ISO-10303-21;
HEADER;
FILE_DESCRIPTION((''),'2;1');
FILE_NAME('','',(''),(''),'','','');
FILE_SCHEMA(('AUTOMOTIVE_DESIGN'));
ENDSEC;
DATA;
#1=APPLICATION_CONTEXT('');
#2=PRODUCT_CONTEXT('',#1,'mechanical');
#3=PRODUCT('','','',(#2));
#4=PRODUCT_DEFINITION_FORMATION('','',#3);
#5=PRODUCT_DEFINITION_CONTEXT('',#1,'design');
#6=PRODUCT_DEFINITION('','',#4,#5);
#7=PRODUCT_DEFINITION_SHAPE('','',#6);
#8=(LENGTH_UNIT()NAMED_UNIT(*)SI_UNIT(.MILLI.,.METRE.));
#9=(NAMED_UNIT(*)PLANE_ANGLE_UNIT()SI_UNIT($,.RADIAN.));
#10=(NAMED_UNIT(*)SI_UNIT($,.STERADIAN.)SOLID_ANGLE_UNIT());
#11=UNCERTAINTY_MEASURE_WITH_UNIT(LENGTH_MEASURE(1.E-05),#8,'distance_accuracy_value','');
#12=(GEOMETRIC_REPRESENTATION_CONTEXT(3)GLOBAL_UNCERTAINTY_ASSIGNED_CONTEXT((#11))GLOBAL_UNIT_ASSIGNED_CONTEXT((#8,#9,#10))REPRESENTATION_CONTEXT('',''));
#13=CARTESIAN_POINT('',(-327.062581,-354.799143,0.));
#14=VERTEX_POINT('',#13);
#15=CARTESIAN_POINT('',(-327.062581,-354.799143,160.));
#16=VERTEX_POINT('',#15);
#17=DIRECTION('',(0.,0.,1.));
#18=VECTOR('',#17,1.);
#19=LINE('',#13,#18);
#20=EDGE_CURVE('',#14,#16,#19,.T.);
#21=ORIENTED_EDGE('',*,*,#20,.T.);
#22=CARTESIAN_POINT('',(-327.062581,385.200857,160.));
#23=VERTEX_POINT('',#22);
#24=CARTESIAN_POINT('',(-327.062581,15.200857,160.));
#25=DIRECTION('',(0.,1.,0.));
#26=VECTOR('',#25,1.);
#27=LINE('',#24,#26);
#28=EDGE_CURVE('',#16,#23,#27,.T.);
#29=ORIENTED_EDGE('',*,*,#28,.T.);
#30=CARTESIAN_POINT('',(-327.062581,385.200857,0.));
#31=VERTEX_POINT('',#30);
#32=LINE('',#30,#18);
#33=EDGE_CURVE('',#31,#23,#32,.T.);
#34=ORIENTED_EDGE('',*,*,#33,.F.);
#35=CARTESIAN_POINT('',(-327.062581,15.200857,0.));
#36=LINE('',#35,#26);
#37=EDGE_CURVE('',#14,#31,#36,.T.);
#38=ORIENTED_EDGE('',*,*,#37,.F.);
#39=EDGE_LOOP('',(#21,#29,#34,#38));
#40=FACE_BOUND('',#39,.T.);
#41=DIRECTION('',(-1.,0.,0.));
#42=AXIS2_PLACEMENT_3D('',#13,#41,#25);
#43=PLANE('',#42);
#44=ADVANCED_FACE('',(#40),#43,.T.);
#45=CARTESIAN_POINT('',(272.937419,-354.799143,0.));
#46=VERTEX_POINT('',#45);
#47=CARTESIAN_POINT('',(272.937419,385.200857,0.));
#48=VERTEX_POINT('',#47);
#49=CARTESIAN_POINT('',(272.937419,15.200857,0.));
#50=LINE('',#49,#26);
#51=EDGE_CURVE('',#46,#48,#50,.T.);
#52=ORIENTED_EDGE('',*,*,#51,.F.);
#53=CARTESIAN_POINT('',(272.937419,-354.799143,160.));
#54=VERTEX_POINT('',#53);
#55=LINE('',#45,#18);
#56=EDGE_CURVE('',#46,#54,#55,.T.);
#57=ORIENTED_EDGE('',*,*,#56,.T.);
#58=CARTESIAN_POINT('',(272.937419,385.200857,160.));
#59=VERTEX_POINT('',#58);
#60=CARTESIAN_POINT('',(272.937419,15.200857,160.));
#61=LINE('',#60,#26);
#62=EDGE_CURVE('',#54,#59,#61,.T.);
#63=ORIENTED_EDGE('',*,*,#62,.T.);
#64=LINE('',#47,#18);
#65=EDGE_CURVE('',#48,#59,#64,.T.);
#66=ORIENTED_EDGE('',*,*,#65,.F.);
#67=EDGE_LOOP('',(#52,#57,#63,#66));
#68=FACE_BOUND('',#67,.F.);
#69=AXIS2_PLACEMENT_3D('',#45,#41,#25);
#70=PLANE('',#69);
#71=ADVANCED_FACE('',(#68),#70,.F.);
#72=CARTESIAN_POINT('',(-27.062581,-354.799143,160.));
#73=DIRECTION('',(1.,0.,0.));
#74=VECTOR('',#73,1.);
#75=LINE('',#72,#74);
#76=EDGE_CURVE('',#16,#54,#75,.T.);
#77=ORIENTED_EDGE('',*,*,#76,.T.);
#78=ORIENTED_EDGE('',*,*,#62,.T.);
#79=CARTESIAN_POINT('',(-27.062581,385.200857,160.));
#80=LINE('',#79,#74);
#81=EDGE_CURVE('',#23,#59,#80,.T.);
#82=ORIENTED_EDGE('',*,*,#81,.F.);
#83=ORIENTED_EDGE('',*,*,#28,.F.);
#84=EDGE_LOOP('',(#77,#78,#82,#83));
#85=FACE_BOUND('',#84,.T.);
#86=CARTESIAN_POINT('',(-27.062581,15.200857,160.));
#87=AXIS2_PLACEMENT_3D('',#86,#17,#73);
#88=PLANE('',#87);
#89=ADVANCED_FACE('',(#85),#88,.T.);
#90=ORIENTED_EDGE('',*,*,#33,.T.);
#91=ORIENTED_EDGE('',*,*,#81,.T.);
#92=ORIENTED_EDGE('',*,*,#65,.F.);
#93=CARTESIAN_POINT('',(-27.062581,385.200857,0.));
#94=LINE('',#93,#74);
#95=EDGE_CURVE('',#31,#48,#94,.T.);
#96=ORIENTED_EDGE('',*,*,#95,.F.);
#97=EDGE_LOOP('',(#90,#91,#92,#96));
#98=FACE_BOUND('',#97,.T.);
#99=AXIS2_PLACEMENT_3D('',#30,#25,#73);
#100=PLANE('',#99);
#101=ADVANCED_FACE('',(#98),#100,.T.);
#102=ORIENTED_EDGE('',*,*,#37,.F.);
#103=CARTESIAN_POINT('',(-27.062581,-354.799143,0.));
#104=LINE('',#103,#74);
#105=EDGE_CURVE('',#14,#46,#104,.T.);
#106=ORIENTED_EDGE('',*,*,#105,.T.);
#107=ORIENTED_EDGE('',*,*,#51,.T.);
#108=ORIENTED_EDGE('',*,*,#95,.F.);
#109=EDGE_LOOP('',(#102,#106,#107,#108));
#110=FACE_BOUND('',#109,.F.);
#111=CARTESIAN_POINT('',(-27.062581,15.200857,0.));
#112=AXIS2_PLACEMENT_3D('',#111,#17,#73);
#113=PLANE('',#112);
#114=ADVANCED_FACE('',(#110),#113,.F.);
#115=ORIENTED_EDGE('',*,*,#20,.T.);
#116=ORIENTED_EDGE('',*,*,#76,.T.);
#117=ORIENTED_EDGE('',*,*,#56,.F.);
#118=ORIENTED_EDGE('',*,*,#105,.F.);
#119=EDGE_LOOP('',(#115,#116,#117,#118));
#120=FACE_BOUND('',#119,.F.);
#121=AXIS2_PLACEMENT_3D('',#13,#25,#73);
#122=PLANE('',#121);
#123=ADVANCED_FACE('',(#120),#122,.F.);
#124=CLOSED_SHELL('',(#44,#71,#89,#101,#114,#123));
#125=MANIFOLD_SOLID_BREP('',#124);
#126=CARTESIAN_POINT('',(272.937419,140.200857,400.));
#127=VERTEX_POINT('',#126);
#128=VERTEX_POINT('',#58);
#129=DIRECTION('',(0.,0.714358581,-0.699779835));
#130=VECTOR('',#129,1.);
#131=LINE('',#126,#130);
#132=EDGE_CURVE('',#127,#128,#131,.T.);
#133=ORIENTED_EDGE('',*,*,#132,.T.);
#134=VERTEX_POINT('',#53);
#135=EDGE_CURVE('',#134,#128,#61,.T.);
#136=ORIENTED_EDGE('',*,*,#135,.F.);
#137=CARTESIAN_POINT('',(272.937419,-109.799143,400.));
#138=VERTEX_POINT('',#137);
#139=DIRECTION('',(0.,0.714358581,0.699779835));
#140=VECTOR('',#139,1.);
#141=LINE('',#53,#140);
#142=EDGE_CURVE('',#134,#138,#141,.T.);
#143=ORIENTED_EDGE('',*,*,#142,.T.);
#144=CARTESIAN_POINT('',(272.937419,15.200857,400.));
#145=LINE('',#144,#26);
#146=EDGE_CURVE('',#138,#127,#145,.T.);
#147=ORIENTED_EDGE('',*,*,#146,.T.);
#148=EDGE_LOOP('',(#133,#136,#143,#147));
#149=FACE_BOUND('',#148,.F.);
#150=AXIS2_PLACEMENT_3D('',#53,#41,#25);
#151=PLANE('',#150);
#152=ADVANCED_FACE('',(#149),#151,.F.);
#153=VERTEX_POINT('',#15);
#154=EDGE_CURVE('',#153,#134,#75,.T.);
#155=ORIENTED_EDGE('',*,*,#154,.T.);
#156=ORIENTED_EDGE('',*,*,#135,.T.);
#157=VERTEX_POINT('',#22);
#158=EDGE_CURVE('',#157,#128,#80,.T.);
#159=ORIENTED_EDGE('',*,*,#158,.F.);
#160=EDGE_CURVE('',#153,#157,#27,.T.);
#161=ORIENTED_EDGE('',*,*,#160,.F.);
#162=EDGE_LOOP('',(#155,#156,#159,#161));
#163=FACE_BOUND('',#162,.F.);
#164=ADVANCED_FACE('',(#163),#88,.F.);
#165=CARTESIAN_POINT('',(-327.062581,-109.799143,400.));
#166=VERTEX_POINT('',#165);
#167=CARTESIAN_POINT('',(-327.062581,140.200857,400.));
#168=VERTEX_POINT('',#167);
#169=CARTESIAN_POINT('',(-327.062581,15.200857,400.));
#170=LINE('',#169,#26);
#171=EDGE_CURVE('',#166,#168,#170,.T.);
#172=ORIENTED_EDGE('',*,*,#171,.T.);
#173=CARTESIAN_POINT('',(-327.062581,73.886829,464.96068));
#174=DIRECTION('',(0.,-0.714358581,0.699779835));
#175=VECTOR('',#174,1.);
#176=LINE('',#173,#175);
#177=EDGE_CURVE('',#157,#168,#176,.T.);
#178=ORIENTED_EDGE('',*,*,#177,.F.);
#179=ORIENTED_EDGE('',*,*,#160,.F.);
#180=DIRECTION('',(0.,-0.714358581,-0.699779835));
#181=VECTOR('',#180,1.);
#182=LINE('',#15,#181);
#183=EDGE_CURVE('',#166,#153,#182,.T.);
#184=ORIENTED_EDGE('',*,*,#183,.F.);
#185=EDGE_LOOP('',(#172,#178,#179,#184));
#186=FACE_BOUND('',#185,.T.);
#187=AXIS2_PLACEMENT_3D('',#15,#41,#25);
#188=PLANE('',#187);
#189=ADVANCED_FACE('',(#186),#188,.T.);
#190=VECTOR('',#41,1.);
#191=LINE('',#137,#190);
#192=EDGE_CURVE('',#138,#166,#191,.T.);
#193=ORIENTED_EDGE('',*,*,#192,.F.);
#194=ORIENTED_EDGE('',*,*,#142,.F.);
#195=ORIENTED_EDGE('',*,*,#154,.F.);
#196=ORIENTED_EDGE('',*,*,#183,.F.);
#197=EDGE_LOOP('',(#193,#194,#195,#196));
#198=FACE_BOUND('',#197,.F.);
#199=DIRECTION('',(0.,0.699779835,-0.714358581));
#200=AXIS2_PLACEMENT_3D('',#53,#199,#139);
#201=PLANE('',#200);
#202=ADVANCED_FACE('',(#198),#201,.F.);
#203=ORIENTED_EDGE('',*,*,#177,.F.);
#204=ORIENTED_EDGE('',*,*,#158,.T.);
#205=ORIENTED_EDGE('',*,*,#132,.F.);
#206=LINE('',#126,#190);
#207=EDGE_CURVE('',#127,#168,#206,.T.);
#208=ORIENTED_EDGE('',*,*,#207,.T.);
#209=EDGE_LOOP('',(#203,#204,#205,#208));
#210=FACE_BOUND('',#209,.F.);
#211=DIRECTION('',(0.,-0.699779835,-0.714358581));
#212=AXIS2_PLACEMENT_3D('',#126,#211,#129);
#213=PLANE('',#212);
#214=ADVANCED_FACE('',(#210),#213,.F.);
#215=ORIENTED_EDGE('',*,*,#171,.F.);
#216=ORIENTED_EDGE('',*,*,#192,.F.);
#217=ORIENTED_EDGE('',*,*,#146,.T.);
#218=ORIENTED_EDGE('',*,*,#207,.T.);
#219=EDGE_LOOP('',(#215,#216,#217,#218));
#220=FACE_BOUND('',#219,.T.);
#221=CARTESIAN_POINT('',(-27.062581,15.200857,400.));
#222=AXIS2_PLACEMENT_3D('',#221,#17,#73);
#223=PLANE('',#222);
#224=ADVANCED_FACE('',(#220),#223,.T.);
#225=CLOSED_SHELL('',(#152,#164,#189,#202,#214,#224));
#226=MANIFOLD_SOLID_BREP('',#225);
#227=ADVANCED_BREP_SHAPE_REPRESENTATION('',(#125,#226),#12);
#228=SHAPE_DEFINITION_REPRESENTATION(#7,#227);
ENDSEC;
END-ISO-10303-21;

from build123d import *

# Parameters (mm, degrees)
F0_W     = 600
F0_H     = 740
F1_DEPTH = 160
F2_W     = 600
F2_H     = 740
F3_DEPTH = 240
F5_DEPTH = 600.001


with BuildPart() as f1:
    # F0 (on Top) → F1 (new body)
    with BuildSketch(Plane.XY):
        with Locations((-27.062581, 15.200857)):
            Rectangle(F0_W, F0_H)
    extrude(amount=F1_DEPTH)


with BuildPart() as f3:
    # F2 (on face) → F3 (new body)
    with BuildSketch(Plane.XY.offset(160)):
        with Locations((-27.062581, 15.200857)):
            Rectangle(F2_W, F2_H)
    extrude(amount=F3_DEPTH)

    # F4 (on face) → F5 (cut, through all)
    with BuildSketch(Plane.YZ.offset(272.937419)):
        Polygon((-354.799143, 160), (-109.799143, 400), (-354.799143, 400), align=None)
        Polygon((385.200857, 400), (140.200857, 400), (385.200857, 160), align=None)
    extrude(amount=-F5_DEPTH, mode=Mode.SUBTRACT)


solid = Compound([f1.part, f3.part])
